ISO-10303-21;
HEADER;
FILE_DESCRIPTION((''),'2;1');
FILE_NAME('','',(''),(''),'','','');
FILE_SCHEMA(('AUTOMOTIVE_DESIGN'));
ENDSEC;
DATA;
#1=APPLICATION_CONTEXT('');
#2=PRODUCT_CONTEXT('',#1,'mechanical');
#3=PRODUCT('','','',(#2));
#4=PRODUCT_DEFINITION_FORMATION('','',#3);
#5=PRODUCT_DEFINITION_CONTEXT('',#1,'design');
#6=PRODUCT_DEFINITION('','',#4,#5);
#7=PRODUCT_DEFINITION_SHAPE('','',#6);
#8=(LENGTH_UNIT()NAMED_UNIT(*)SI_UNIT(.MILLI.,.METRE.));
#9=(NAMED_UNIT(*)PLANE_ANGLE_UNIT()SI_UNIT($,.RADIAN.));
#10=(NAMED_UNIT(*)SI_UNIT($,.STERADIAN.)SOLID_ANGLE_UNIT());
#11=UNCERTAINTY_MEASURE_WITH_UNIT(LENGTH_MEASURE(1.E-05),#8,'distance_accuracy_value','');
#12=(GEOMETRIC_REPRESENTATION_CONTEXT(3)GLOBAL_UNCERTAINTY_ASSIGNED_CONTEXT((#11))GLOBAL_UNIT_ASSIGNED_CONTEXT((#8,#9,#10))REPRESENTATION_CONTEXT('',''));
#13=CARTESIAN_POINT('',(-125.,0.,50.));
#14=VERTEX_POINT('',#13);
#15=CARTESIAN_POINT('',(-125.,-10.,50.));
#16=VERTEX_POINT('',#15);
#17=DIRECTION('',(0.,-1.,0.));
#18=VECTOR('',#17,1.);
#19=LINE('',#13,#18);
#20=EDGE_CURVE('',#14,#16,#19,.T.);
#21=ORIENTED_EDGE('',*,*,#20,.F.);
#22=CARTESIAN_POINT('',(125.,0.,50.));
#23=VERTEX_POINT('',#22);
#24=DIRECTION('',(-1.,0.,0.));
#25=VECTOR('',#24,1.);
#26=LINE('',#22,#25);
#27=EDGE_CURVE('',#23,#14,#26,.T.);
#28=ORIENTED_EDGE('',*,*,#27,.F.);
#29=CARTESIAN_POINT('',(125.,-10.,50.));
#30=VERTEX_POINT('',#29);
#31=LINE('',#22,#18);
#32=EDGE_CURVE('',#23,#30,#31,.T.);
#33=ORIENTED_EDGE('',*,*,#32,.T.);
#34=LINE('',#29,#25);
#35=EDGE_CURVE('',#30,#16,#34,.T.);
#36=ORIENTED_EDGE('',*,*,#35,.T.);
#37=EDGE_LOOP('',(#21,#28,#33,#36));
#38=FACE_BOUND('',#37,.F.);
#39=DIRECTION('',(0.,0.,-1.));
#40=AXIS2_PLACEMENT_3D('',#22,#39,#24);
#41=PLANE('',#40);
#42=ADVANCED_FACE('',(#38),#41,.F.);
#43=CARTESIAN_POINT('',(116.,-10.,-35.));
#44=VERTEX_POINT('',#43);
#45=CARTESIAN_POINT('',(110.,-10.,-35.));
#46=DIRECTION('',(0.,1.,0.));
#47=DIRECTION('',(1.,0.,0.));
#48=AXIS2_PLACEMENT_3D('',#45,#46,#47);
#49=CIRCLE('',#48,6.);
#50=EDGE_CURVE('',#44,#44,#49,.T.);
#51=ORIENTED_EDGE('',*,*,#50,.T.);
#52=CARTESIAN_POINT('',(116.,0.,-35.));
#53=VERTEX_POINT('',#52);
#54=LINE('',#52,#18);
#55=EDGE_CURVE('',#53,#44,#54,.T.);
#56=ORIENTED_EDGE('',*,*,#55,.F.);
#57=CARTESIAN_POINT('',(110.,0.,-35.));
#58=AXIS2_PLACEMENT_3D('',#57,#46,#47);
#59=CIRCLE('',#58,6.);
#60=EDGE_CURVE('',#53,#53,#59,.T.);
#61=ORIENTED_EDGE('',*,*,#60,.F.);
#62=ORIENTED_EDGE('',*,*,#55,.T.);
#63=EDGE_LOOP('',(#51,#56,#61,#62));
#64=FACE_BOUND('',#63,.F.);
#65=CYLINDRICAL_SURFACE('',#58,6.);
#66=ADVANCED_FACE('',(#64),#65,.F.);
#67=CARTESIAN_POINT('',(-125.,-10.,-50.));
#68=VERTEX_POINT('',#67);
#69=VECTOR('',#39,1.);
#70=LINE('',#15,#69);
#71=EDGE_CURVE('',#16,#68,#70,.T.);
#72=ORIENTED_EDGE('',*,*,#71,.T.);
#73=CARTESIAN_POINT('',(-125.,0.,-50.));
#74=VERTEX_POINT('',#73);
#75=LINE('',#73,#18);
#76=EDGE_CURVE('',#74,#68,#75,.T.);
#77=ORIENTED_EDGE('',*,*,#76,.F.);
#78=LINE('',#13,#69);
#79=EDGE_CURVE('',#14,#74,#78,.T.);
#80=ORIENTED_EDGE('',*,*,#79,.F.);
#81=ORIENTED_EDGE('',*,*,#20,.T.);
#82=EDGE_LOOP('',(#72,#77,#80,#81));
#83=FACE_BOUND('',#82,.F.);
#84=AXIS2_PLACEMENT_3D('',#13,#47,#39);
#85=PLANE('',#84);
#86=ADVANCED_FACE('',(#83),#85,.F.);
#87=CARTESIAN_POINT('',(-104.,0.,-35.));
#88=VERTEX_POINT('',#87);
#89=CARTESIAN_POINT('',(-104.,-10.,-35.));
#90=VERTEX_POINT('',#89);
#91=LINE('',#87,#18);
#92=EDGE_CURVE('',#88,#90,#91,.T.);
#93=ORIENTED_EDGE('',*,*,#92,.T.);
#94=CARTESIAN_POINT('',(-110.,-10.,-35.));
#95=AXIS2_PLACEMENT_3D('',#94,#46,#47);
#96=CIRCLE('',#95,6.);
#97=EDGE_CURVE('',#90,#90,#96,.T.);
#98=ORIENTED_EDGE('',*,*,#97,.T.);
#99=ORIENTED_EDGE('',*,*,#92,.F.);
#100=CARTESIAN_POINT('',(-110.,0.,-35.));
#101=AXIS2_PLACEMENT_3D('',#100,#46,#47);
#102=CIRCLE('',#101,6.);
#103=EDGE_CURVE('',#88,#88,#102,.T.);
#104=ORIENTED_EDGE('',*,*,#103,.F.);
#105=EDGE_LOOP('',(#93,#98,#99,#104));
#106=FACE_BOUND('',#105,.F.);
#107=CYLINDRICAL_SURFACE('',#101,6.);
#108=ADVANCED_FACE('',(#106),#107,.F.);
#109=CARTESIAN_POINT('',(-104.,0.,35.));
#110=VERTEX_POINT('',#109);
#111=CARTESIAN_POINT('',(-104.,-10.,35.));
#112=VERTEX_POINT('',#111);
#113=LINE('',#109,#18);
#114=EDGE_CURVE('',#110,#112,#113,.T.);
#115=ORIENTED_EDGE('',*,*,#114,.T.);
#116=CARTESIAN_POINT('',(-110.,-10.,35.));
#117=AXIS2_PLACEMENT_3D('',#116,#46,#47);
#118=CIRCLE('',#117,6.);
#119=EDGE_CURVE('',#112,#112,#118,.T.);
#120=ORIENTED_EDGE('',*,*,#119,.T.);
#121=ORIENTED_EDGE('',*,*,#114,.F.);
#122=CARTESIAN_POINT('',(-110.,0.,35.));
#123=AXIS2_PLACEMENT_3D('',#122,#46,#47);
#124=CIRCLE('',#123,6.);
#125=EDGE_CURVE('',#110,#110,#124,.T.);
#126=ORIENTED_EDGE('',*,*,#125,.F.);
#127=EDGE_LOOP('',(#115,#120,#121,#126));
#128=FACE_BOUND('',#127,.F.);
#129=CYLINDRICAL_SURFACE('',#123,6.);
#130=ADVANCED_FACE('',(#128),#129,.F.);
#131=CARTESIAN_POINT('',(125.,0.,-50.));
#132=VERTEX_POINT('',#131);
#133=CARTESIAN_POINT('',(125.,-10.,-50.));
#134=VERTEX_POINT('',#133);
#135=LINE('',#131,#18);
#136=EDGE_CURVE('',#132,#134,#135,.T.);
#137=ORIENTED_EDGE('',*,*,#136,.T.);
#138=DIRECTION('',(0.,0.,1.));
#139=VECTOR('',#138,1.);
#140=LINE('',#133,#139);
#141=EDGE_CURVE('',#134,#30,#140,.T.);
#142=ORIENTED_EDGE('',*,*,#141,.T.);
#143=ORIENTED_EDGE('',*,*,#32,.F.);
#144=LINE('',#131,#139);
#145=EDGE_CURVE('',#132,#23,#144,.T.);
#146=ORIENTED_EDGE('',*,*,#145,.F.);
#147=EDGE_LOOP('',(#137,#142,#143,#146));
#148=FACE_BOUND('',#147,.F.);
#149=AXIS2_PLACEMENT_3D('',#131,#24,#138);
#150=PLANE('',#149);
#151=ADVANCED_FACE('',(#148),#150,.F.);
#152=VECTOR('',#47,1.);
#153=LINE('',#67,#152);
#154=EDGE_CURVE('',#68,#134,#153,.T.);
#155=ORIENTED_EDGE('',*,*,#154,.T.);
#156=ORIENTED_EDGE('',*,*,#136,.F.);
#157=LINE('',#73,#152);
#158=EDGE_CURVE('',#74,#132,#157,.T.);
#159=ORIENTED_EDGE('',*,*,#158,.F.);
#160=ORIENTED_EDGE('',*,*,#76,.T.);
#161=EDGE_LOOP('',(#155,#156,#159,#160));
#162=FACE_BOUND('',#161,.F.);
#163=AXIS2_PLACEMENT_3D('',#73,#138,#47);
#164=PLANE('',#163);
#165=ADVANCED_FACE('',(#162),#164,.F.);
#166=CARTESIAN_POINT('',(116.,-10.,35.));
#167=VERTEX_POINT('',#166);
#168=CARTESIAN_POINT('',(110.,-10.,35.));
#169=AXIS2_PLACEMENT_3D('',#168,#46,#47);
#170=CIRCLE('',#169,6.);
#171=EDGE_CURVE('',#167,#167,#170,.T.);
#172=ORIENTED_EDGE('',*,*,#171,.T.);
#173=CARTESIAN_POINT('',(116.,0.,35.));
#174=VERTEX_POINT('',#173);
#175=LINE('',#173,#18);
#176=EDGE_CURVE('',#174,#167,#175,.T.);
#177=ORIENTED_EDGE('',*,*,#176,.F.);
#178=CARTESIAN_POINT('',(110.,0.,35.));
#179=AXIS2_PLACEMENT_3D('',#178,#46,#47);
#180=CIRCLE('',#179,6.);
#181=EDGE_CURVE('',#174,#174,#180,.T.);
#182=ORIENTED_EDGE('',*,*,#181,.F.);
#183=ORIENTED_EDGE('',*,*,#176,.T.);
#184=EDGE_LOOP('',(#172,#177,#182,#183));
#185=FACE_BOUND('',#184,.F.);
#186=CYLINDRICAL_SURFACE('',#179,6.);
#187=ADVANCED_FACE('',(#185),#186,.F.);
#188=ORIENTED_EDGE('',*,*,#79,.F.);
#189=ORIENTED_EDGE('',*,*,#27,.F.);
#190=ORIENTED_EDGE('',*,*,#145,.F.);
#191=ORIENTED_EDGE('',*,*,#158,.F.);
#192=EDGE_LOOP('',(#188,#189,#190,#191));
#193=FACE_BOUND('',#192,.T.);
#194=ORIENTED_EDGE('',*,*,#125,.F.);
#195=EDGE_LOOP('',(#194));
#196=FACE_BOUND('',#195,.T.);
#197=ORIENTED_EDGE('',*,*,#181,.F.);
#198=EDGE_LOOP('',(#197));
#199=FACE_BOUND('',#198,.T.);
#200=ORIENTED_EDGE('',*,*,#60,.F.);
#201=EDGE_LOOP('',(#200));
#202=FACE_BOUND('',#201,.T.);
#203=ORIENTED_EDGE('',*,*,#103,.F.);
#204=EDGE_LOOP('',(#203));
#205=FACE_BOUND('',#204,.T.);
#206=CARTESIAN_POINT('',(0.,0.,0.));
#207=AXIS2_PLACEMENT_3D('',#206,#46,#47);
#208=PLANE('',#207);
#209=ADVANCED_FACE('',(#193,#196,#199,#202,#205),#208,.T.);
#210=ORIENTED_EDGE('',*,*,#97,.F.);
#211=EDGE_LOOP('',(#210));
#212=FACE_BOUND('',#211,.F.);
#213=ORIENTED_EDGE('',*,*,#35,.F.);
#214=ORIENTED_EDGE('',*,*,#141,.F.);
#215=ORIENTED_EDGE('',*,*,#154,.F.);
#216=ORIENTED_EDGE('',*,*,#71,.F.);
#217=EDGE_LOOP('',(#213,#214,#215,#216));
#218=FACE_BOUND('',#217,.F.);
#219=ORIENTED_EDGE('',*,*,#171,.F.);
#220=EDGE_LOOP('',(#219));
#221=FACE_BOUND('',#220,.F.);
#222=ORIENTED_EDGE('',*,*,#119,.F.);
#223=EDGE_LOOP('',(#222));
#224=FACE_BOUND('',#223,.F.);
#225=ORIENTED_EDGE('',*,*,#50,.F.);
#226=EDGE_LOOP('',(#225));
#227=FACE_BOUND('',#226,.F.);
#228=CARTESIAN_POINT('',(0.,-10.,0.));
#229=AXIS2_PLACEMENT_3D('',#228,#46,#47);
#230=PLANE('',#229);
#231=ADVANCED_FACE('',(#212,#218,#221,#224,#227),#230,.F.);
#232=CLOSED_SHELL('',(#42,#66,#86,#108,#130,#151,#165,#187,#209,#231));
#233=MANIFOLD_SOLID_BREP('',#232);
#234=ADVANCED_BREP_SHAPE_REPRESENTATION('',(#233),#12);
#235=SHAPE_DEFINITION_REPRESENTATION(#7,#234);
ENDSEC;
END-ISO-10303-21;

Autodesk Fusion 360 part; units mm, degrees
sketch "Sketch1" plane through (0, 0, 0) normal (0, 1, 0) x (1, 0, 0) in component "Base Plate"
  line L0 (-125, 50) -> (125, 50)
  line L1 (125, 50) -> (125, -50)
  line L2 (125, -50) -> (-125, -50)
  line L3 (-125, -50) -> (-125, 50)
  line L4 (-125, 50) -> (125, -50) construction
  line L5 (125, 50) -> (-125, -50) construction
  circle A0 centre (-110, 35) radius 6
  circle A1 centre (-110, -35) radius 6
  line L6 (0, 0) -> (0, 50) construction
  circle A2 centre (110, 35) radius 6
  circle A3 centre (110, -35) radius 6
  dimension "d1" = 100
  dimension "d2" = 250
  dimension "d3" = 15
  dimension "d4" = 15
  dimension "d5" = 12
  dimension "d6" = 15
extrude "Extrude1" add sketch "Sketch1" against normal blind 10 in component "Base Plate"
component "Base Plate" placed x (1, 0, 0) y (0, 1, 0) z (0, 0, 1) at (0, 0, 0)
